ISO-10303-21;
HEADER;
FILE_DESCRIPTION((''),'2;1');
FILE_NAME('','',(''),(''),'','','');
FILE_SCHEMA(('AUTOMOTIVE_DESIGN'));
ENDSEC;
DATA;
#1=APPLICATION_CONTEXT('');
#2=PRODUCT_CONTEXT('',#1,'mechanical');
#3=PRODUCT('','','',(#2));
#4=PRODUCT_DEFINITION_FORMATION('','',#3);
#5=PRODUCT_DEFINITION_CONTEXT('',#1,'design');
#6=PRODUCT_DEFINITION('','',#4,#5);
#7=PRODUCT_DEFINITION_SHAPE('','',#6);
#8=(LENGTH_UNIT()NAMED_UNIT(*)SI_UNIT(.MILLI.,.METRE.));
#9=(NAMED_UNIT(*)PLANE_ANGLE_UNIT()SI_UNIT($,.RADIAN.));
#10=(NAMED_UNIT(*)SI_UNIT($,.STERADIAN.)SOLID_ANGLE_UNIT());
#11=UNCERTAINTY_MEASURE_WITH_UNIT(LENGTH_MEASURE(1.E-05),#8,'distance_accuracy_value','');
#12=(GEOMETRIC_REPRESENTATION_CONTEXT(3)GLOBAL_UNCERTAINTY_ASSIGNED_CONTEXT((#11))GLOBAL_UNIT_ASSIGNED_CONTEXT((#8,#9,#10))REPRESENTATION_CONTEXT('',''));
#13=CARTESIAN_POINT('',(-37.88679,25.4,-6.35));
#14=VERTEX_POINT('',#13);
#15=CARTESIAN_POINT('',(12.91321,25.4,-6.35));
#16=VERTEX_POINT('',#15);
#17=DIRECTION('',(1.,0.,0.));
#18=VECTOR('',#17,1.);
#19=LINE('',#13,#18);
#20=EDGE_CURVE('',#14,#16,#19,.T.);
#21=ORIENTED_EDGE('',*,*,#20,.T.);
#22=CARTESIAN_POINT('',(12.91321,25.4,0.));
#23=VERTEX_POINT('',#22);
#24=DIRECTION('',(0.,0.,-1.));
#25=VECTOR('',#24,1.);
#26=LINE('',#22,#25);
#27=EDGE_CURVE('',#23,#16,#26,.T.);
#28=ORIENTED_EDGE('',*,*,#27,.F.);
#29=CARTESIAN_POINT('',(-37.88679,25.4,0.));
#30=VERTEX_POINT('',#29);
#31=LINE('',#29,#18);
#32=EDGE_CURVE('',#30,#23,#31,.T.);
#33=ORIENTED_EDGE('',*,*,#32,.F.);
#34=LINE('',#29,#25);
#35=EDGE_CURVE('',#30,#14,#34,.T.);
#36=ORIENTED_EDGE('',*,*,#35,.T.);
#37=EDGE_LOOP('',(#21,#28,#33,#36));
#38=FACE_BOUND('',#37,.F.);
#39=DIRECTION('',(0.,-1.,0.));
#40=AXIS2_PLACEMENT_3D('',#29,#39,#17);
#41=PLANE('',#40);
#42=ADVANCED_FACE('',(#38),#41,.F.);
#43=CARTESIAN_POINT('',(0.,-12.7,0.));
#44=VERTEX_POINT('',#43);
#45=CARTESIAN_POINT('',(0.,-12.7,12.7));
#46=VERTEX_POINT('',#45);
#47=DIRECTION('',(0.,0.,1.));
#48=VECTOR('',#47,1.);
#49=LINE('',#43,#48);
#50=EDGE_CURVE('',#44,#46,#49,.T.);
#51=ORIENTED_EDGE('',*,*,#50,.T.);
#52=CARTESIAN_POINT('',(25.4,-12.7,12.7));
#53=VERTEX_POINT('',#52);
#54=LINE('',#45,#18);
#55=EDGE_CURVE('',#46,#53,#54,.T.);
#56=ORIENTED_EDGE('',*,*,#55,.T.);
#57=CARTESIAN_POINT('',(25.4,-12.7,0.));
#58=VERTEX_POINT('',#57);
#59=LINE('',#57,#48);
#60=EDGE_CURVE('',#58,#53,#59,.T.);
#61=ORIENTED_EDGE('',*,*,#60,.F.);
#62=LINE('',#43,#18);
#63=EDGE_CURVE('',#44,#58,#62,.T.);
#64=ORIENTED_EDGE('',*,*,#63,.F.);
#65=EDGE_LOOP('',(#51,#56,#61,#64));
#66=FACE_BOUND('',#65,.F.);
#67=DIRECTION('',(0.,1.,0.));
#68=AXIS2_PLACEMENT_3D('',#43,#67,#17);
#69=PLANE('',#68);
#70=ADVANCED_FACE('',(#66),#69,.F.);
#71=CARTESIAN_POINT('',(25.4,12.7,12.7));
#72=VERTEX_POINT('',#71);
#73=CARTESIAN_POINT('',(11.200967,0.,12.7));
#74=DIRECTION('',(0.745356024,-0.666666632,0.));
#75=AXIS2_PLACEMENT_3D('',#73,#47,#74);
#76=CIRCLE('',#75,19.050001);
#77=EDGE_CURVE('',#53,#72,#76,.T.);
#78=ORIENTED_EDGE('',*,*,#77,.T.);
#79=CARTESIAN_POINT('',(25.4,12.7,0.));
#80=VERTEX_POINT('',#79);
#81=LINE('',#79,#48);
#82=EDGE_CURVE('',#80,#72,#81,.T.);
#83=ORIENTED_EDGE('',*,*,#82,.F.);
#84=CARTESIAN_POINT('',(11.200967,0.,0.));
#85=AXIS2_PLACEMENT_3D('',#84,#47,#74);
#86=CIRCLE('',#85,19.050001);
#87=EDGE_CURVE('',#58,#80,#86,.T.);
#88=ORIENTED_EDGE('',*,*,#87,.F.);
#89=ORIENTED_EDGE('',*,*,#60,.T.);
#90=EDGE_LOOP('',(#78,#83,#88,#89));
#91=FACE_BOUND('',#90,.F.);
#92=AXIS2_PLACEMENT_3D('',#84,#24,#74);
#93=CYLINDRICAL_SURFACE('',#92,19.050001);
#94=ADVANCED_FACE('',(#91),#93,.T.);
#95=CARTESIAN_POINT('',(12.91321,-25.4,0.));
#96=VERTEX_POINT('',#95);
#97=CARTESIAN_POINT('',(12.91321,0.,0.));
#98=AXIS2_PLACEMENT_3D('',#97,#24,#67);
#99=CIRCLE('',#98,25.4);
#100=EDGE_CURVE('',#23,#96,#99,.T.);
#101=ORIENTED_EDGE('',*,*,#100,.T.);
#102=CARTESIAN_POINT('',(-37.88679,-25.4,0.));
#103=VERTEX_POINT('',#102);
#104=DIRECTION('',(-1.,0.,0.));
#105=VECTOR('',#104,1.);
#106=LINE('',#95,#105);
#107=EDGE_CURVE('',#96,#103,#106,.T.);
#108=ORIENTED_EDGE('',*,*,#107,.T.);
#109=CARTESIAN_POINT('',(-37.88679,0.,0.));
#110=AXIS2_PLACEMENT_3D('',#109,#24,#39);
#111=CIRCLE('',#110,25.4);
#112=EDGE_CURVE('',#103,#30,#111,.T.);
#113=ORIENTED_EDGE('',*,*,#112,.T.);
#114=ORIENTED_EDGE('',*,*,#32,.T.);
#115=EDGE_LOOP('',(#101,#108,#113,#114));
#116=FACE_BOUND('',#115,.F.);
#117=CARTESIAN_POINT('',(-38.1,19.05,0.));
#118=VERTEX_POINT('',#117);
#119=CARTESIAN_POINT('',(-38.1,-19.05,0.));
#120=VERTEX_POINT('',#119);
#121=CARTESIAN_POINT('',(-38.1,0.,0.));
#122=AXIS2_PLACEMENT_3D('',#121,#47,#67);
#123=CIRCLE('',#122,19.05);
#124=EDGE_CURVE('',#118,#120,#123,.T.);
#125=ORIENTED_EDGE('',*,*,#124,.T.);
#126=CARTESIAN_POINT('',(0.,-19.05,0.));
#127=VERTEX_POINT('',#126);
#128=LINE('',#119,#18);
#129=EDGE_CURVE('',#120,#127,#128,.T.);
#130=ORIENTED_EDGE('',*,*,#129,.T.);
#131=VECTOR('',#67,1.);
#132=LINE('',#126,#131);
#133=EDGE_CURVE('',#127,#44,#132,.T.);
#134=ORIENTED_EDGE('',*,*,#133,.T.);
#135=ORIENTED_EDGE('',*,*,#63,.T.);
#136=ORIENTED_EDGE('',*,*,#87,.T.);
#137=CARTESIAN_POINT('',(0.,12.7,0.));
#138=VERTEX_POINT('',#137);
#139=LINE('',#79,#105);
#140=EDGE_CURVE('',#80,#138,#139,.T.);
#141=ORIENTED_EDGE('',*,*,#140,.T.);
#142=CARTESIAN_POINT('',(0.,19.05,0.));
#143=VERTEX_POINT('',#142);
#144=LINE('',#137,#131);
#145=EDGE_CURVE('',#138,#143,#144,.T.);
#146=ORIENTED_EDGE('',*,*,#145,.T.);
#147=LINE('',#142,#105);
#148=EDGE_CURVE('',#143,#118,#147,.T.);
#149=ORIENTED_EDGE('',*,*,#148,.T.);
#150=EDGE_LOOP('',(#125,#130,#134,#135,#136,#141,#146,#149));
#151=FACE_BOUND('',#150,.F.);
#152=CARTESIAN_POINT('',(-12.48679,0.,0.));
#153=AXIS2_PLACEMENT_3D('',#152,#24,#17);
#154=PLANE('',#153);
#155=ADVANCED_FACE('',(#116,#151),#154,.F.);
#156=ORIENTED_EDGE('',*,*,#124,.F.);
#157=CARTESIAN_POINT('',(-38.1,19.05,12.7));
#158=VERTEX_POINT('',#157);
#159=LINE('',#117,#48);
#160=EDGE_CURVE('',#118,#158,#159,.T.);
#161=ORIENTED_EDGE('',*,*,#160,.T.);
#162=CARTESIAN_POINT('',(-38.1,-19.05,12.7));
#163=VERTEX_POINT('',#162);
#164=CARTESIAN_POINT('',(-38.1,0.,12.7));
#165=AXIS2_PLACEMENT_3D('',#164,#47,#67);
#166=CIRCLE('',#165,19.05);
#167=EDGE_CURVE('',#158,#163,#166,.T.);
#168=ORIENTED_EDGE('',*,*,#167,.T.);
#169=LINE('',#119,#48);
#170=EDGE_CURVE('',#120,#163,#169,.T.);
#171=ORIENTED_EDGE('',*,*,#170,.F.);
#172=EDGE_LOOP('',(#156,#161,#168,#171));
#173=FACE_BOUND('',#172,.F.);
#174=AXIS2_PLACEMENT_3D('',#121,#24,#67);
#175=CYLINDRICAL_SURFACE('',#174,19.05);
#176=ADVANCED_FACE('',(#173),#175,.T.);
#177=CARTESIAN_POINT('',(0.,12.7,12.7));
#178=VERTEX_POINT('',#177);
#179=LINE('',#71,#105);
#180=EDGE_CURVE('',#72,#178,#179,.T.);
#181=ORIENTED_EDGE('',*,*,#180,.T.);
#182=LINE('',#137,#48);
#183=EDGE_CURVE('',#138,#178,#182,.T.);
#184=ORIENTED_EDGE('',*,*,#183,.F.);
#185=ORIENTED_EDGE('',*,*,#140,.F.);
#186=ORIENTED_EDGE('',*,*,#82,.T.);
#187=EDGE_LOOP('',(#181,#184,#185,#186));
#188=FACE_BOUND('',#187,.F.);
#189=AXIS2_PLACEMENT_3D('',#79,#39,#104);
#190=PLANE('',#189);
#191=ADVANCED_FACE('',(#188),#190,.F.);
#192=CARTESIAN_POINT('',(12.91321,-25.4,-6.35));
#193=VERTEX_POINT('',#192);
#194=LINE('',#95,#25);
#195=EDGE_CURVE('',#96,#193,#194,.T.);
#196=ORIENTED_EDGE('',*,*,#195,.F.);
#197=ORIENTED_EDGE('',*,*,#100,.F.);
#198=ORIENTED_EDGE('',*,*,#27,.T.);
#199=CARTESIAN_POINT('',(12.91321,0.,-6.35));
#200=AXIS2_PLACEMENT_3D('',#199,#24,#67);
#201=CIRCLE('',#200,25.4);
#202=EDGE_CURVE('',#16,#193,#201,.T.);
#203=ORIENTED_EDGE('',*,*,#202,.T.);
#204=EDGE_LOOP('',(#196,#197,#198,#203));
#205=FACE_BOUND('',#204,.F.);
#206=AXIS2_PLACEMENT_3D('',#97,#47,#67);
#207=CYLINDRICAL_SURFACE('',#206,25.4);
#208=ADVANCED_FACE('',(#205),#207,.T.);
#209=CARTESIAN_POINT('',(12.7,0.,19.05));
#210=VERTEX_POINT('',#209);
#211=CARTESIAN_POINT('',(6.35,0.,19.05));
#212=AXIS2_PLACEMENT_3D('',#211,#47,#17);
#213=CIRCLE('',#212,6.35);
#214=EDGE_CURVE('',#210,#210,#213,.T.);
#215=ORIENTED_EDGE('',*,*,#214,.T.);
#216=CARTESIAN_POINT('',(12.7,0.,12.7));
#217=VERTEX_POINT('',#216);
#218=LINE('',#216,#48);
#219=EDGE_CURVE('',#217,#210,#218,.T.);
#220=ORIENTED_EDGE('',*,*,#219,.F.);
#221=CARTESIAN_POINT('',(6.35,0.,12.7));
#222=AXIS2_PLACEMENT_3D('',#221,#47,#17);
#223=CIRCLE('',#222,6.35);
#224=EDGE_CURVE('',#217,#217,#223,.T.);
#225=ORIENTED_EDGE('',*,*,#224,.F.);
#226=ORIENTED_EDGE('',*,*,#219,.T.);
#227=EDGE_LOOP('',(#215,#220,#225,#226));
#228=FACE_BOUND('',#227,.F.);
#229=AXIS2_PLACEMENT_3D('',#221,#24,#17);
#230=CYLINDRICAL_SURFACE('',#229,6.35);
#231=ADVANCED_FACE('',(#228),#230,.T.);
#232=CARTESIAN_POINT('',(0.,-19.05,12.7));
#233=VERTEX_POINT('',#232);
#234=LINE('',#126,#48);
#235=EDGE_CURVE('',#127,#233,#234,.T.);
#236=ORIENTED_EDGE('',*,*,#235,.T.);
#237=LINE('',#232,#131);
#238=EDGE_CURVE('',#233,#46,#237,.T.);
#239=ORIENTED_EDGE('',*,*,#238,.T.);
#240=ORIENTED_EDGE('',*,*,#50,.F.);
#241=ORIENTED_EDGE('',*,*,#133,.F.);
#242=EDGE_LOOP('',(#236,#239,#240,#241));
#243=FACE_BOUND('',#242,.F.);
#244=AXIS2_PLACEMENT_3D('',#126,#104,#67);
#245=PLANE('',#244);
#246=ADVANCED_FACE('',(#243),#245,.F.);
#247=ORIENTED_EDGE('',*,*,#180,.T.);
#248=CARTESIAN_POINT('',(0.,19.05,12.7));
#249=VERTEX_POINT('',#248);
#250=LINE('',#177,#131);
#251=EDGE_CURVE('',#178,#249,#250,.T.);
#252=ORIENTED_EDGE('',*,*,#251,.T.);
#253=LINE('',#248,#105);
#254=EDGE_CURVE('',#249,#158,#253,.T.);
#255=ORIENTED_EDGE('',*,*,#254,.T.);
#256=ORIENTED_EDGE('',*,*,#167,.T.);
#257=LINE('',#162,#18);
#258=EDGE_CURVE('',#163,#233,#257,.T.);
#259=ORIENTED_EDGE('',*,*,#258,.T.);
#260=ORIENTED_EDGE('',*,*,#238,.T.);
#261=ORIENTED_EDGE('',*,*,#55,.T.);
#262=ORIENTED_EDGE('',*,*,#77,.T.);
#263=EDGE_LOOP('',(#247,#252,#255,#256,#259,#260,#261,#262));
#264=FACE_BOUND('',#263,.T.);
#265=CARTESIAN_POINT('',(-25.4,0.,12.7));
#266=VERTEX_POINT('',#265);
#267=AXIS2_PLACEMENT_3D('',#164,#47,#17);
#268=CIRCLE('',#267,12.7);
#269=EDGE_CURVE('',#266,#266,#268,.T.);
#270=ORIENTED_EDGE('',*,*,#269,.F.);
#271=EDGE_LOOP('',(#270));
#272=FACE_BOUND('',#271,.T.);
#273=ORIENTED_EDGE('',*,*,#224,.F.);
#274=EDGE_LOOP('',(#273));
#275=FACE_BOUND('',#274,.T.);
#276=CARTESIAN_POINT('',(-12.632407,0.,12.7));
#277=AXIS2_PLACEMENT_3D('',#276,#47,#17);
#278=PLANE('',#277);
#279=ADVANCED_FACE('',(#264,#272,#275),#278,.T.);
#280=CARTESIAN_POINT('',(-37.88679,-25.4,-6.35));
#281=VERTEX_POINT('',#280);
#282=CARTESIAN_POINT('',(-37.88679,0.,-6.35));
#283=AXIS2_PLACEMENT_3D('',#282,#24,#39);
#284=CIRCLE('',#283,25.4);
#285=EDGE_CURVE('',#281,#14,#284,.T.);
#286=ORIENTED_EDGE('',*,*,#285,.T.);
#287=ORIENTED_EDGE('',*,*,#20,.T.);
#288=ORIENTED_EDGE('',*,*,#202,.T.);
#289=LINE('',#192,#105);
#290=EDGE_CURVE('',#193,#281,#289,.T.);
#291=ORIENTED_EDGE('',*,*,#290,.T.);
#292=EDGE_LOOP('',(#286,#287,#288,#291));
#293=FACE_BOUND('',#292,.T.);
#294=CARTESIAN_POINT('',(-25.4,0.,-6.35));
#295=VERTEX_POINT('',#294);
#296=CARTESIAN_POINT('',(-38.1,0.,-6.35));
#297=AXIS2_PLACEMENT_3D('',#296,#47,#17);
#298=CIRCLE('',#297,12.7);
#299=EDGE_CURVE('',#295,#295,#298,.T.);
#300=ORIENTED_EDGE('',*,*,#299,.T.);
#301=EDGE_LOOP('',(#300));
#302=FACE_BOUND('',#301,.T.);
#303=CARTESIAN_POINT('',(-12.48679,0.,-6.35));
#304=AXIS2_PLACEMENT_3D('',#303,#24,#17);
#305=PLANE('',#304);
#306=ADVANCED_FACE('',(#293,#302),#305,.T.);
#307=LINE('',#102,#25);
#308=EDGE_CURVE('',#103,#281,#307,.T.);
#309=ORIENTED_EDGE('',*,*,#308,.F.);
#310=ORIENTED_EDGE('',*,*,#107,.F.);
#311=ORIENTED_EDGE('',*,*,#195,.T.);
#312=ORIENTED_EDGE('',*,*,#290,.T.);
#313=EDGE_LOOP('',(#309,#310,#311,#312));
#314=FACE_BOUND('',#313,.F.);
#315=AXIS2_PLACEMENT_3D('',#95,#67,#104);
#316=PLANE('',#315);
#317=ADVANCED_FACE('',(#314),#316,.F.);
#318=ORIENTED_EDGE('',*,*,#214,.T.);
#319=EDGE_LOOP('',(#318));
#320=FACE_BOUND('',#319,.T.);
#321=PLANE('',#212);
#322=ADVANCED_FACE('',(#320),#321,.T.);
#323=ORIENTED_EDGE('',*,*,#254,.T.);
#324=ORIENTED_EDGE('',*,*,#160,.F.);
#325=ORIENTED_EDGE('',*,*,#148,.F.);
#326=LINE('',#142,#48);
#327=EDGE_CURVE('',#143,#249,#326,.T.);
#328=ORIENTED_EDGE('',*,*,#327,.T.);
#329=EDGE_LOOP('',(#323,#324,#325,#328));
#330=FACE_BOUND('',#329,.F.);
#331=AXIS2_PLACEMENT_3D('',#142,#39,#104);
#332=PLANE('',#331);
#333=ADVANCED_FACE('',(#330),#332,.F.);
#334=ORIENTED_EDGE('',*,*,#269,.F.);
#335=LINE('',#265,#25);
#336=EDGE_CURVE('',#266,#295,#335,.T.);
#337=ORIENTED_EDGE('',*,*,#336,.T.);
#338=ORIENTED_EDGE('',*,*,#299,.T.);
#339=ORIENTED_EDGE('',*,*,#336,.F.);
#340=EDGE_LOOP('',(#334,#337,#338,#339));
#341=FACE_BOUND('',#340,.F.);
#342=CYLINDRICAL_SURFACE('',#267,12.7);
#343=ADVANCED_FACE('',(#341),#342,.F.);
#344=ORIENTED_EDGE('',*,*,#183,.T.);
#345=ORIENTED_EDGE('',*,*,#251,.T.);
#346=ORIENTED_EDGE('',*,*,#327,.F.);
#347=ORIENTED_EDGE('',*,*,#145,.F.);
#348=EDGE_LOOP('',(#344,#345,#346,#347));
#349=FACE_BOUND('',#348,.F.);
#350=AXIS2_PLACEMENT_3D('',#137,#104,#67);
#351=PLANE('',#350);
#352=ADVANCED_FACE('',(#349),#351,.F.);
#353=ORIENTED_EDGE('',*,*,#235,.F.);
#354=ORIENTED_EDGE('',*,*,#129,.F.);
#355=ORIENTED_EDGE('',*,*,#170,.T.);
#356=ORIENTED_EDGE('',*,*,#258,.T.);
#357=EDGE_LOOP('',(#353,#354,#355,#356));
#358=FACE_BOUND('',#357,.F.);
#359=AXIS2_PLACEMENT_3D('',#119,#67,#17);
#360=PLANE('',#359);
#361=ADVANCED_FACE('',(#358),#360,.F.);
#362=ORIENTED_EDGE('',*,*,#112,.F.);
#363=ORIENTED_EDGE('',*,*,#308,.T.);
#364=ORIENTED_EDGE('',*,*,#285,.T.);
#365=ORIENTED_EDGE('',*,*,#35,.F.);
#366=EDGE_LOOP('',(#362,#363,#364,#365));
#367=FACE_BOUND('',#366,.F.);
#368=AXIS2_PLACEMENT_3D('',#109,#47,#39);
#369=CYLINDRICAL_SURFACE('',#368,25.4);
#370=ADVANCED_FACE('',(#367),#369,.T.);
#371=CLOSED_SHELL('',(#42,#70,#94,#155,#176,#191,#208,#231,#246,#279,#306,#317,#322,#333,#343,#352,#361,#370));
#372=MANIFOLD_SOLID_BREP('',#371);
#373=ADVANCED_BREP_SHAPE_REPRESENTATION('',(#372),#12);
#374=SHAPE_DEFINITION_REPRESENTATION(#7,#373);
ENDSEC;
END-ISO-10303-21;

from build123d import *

# Parameters (mm, degrees)
F1_DEPTH = 12.7
F4_DEPTH = 6.35
F2_R     = 12.7
F5_DEPTH = 19.051
F2_R_2   = 6.35
F6_DEPTH = 6.35


with BuildPart() as f1:
    # F0 (on Top) → F1 (new body)
    with BuildSketch(Plane.XY):
        with BuildLine():
            Line((-38.1, -19.05), (0, -19.05))
            Line((0, -19.05), (0, -12.7))
            Line((0, -12.7), (25.4, -12.7))
            ThreePointArc((25.4, -12.7), (30.250968, 0), (25.4, 12.7))
            Line((25.4, 12.7), (0, 12.7))
            Line((0, 12.7), (0, 19.05))
            Line((0, 19.05), (-38.1, 19.05))
            ThreePointArc((-38.1, 19.05), (-57.15, 0), (-38.1, -19.05))
        make_face()
    extrude(amount=F1_DEPTH)

    # F3 (on face) → F4 (join)
    with BuildSketch(Plane(origin=(0, 0, 0), x_dir=(1, 0, 0), z_dir=(0, 0, -1))):
        with BuildLine():
            Line((12.91321, 25.4), (-37.88679, 25.4))
            ThreePointArc((-37.88679, 25.4), (-63.28679, 0), (-37.88679, -25.4))
            Line((-37.88679, -25.4), (12.91321, -25.4))
            ThreePointArc((12.91321, -25.4), (38.31321, 0), (12.91321, 25.4))
        make_face()
    extrude(amount=F4_DEPTH)

    # F2 (on face) → F5 (cut, through all)
    with BuildSketch(Plane.XY.offset(12.7)):
        with Locations((-38.1, 0)):
            Circle(F2_R)
    extrude(amount=-F5_DEPTH, mode=Mode.SUBTRACT)

    # F2 (on face) → F6 (join)
    with BuildSketch(Plane.XY.offset(12.7)):
        with Locations((6.35, 0)):
            Circle(F2_R_2)
    extrude(amount=F6_DEPTH)


solid = f1.part
